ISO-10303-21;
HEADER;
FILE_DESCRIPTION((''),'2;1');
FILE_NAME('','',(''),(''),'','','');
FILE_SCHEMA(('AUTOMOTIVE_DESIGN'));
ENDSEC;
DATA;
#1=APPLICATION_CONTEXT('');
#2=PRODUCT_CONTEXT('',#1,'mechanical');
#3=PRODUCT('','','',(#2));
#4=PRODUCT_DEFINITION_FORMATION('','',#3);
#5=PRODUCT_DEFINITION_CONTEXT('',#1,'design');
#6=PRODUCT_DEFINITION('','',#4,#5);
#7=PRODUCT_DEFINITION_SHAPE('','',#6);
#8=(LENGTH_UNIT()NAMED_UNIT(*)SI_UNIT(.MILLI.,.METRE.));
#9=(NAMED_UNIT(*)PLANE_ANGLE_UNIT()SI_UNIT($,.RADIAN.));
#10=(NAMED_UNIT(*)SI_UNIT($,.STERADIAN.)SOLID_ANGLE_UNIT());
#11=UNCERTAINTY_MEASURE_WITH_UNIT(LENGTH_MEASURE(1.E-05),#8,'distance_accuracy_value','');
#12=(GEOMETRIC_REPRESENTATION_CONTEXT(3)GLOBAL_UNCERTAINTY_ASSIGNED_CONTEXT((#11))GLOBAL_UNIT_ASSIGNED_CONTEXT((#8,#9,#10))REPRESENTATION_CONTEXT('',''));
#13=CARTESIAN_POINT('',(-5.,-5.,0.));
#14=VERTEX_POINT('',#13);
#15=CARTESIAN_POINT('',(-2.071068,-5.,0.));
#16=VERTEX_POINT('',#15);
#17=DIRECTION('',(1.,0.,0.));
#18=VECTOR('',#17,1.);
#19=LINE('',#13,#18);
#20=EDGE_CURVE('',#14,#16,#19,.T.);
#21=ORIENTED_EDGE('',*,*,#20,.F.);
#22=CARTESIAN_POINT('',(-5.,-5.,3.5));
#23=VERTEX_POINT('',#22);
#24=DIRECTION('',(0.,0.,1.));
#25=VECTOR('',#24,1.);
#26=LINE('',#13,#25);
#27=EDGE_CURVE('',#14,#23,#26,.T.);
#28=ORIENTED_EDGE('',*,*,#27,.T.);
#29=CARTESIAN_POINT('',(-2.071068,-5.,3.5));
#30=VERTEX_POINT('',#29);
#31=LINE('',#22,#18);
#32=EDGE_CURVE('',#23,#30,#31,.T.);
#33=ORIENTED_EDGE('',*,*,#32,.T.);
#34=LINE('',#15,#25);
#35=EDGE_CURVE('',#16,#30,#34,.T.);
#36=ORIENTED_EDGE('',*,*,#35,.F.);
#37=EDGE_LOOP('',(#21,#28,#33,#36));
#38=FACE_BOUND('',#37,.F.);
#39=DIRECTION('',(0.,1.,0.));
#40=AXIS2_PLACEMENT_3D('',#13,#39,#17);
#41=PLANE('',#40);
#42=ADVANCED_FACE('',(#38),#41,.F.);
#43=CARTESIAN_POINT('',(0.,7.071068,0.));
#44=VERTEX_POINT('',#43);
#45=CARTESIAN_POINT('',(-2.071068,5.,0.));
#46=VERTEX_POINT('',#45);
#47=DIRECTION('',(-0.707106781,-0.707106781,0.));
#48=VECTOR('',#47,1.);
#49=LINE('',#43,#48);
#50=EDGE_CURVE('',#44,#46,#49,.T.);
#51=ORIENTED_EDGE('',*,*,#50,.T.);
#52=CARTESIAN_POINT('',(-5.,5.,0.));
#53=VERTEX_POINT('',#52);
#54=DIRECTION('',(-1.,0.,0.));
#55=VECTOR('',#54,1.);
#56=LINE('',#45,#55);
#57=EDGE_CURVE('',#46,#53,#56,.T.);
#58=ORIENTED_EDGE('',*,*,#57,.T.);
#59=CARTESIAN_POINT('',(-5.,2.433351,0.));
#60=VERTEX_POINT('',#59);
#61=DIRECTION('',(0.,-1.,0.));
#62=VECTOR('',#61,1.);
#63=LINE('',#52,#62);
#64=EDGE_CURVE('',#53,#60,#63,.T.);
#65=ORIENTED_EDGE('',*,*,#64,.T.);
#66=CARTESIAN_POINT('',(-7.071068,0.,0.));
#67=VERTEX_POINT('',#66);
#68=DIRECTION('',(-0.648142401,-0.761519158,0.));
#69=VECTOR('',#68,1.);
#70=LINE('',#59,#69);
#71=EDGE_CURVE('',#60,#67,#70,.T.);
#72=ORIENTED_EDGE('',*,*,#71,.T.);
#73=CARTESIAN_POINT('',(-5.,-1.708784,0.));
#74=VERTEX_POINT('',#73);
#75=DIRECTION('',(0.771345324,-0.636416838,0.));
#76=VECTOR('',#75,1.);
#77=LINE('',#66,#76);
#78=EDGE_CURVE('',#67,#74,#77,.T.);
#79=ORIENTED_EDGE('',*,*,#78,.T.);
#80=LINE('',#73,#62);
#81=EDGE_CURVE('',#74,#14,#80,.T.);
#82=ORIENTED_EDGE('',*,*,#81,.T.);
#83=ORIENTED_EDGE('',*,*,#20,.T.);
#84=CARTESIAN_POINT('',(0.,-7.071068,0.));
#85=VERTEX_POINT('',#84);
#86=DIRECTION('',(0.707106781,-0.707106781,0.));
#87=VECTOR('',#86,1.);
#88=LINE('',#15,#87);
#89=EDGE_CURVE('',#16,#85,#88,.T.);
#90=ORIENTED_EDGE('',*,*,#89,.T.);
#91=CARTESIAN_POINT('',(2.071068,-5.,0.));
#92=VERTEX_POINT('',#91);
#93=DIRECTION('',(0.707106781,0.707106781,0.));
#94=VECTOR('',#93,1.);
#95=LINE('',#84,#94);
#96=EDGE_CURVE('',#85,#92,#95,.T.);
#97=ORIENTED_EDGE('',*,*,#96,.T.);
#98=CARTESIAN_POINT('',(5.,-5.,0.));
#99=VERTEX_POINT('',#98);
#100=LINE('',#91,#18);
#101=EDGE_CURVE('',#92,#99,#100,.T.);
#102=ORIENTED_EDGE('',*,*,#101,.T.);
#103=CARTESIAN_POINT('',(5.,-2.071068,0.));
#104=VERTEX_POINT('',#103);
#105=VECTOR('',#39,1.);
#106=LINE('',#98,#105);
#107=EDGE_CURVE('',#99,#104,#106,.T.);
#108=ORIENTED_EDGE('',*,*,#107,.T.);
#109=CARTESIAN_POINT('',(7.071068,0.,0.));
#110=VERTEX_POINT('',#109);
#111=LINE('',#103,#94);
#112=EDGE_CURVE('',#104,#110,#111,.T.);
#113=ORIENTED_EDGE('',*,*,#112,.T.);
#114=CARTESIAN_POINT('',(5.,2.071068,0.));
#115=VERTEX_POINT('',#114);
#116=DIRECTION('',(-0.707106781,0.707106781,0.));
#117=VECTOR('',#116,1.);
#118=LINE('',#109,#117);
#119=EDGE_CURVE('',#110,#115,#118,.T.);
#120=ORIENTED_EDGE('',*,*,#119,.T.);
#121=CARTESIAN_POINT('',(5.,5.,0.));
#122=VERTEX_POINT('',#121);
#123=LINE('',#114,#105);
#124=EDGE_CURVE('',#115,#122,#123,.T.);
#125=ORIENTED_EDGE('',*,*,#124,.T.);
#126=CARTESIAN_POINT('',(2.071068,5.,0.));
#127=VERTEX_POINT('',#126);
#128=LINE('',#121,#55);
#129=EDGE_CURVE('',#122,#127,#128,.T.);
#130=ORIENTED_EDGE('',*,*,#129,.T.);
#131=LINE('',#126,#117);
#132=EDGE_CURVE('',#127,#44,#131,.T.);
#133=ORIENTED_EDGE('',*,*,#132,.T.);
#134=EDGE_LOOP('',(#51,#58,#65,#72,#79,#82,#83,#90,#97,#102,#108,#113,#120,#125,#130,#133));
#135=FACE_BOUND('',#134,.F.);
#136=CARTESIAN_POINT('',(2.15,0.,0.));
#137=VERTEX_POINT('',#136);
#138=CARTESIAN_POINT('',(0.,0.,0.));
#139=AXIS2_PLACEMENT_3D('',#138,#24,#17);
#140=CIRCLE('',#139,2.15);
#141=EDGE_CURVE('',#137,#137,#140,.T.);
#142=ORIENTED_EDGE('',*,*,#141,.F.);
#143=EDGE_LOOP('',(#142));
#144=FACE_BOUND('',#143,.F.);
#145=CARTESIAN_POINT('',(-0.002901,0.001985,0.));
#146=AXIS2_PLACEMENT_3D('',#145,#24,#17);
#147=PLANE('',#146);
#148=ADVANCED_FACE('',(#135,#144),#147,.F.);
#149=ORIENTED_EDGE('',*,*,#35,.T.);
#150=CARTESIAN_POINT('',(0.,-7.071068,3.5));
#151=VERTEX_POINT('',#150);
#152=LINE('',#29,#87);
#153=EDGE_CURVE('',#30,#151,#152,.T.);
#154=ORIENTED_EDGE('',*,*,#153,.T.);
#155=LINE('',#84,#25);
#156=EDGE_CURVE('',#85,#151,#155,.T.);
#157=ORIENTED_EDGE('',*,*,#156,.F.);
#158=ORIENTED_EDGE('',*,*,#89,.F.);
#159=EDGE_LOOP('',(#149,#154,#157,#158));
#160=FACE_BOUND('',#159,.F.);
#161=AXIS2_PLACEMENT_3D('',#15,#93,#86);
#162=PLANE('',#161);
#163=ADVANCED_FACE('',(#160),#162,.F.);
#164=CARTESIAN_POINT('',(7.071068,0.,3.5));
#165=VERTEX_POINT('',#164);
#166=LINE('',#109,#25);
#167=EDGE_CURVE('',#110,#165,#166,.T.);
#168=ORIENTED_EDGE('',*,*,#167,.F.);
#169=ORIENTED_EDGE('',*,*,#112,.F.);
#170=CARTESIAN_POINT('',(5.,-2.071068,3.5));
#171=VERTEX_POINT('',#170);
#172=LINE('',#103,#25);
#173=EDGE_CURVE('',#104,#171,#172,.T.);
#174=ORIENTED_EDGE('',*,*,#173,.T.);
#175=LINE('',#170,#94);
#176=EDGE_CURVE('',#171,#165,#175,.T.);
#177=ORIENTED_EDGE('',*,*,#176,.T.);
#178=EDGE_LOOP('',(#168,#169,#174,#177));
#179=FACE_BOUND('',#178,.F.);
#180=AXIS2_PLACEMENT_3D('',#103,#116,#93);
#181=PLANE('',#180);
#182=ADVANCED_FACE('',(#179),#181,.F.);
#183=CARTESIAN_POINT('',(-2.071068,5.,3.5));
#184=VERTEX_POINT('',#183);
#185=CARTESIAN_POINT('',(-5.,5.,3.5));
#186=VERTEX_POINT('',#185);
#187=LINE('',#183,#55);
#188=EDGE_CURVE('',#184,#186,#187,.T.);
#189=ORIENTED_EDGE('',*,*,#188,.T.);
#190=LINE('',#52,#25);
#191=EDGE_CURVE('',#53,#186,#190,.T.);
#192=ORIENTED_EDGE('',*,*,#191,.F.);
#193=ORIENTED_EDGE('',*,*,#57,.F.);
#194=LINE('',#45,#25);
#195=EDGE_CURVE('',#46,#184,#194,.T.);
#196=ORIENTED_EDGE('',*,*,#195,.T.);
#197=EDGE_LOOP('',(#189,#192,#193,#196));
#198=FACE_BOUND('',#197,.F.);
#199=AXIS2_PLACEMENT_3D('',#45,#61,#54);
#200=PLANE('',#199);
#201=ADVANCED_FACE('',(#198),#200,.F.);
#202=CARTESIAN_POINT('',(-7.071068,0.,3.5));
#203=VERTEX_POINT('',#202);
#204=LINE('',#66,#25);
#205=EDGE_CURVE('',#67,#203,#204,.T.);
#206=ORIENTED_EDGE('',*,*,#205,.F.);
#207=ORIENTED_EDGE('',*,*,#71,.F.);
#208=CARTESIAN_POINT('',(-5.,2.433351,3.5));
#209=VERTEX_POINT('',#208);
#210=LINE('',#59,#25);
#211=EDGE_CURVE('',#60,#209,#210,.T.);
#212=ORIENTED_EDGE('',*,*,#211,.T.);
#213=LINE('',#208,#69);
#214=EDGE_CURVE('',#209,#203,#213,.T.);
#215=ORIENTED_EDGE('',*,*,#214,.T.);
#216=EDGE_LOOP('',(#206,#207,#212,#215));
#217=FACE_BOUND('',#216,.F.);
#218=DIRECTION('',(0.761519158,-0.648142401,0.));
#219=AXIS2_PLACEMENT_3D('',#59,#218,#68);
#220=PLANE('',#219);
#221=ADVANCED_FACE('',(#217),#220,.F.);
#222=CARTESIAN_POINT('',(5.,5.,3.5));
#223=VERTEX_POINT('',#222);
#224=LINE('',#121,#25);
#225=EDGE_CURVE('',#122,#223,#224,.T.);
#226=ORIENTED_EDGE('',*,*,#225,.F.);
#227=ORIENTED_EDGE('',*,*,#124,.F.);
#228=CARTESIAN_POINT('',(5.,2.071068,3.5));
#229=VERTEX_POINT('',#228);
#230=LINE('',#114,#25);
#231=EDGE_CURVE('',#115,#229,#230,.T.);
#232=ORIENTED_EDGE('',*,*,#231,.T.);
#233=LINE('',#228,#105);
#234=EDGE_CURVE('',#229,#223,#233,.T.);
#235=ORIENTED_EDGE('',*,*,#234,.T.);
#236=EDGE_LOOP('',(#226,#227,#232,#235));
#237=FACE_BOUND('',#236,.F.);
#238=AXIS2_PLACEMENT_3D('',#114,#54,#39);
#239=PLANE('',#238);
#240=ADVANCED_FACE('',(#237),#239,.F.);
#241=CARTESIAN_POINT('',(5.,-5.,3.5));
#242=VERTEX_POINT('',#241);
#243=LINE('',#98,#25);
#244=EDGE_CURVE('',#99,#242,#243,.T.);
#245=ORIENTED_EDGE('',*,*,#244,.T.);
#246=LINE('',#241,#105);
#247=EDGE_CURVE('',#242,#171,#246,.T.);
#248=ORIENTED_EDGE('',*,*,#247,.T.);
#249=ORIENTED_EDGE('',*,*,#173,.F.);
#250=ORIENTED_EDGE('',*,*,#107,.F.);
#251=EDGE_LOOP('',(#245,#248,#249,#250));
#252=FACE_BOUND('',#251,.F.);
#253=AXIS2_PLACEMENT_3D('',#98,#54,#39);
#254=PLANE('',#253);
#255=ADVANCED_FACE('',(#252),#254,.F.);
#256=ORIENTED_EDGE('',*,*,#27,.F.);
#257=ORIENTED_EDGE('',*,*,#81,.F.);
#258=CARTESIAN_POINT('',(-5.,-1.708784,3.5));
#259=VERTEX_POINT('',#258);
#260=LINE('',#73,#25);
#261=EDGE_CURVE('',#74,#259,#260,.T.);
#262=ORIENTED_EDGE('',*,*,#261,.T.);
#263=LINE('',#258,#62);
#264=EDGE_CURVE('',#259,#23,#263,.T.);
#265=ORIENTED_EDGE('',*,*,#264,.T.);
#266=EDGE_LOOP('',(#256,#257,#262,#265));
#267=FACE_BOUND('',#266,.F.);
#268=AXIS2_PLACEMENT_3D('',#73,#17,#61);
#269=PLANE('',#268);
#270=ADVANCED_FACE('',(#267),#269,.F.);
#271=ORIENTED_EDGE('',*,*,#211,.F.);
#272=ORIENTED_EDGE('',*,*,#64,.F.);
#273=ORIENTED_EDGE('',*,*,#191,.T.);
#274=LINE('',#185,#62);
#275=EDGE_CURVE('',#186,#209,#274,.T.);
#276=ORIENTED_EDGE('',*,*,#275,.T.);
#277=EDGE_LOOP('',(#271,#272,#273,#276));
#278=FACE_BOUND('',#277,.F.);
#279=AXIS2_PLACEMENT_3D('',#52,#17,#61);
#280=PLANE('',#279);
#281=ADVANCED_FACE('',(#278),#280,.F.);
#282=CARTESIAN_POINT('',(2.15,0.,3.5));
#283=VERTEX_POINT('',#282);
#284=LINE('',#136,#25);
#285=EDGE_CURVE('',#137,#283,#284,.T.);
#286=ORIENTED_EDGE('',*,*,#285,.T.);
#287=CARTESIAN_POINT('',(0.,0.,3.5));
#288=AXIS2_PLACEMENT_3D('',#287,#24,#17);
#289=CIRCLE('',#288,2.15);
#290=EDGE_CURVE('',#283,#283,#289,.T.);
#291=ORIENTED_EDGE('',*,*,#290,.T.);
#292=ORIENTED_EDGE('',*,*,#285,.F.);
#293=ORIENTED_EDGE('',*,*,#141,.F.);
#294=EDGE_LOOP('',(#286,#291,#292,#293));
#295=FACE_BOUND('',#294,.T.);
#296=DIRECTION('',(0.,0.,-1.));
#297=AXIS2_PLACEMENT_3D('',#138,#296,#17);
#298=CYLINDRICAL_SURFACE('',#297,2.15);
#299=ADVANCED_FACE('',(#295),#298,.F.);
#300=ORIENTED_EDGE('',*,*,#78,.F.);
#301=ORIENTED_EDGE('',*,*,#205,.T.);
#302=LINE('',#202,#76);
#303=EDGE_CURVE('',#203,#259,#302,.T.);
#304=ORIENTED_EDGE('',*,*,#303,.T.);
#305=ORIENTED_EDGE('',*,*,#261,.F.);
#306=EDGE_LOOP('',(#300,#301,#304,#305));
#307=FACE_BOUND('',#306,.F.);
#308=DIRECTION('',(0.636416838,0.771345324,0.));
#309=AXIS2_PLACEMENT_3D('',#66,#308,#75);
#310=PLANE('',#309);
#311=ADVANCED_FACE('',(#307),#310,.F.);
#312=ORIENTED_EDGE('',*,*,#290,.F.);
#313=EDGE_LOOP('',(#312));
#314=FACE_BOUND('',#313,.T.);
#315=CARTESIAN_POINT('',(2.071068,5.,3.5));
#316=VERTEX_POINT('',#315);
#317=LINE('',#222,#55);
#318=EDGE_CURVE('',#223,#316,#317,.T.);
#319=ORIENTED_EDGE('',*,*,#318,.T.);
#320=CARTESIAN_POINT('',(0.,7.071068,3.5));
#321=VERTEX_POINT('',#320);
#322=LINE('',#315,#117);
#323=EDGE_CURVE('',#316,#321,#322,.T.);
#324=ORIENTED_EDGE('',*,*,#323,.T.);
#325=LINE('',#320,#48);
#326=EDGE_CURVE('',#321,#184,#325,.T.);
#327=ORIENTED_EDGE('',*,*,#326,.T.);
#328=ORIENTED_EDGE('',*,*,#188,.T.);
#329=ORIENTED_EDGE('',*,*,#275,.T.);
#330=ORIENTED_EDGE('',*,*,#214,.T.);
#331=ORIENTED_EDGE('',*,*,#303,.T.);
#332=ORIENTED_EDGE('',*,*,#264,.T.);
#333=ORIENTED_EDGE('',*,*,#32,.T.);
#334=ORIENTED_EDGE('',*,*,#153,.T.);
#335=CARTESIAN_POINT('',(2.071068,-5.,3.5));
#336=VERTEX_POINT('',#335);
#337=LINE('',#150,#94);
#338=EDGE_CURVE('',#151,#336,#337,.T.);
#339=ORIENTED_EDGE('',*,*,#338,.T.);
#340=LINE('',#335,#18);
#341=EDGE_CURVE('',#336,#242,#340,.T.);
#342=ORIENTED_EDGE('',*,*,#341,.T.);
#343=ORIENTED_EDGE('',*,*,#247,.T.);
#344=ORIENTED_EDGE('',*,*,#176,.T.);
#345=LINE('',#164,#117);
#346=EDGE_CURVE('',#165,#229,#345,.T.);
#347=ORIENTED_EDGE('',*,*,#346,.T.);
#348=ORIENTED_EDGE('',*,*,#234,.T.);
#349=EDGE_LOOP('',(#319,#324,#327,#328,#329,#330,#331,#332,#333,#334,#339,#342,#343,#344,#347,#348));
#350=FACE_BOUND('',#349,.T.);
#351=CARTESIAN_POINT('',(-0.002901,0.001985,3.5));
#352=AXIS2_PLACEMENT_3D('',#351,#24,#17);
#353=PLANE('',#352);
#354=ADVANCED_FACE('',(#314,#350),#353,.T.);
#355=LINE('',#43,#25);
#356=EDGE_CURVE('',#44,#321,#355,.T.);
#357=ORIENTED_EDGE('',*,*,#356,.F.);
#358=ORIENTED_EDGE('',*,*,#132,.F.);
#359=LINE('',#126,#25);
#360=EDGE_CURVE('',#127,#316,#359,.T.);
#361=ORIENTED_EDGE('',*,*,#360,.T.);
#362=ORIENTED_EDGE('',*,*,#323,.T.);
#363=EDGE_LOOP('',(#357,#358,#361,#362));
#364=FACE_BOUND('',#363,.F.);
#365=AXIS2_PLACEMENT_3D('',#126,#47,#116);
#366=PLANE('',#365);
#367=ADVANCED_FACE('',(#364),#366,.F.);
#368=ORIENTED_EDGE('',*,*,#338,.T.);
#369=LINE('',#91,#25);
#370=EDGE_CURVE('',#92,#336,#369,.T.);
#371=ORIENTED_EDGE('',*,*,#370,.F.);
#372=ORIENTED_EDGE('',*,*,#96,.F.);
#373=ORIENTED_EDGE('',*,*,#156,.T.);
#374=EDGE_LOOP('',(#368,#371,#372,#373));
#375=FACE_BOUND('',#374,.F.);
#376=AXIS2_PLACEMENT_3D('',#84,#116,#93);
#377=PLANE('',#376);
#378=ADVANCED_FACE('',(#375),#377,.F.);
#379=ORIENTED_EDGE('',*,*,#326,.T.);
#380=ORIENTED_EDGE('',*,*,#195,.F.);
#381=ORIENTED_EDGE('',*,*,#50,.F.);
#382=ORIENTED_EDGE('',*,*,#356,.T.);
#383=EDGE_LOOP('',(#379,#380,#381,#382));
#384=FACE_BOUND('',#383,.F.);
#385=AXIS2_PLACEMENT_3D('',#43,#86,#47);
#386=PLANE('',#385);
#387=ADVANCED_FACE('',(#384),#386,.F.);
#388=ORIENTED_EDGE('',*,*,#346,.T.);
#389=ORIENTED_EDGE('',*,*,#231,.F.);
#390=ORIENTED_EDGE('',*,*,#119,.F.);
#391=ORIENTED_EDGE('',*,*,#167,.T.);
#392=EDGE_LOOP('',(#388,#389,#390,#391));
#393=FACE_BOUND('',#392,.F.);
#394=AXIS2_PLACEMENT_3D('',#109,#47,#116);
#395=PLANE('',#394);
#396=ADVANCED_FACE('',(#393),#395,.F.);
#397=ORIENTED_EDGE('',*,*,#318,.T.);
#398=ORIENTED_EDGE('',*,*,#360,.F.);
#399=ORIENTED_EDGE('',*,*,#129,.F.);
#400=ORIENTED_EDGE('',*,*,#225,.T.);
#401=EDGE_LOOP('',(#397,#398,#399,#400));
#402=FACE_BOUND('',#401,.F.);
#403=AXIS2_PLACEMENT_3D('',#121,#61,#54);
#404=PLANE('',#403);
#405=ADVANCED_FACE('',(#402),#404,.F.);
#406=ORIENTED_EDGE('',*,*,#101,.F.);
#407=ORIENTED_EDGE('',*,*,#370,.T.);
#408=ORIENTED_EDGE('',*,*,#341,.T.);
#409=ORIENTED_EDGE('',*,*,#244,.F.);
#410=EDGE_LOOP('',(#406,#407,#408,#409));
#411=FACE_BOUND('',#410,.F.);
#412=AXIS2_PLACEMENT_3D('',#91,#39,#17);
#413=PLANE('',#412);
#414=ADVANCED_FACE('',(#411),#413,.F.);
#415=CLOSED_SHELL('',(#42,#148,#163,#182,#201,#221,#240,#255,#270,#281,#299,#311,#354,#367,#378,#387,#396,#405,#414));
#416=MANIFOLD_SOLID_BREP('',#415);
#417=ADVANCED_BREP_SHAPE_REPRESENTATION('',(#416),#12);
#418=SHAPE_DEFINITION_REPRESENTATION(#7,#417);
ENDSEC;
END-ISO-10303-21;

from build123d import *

# Parameters (mm, degrees)
F0_R     = 5
F0_R_2   = 2.15
F1_DEPTH = 3.5


with BuildPart() as f1:
    # F0 (on Top) → F1 (new body)
    with BuildSketch(Plane.XY):
        Polygon((-2.071068, 5), (-5, 5), (-5, 2.433351), (-7.071068, 0), (-5, -1.708784), (-5, -5), (-2.071068, -5), (0, -7.071068), (2.071068, -5), (5, -5), (5, -2.071068), (7.071068, 0), (5, 2.071068), (5, 5), (2.071068, 5), (0, 7.071068), align=None)
        Circle(F0_R, mode=Mode.SUBTRACT)
        Circle(F0_R)
        Circle(F0_R_2, mode=Mode.SUBTRACT)
    extrude(amount=F1_DEPTH)


solid = f1.part
